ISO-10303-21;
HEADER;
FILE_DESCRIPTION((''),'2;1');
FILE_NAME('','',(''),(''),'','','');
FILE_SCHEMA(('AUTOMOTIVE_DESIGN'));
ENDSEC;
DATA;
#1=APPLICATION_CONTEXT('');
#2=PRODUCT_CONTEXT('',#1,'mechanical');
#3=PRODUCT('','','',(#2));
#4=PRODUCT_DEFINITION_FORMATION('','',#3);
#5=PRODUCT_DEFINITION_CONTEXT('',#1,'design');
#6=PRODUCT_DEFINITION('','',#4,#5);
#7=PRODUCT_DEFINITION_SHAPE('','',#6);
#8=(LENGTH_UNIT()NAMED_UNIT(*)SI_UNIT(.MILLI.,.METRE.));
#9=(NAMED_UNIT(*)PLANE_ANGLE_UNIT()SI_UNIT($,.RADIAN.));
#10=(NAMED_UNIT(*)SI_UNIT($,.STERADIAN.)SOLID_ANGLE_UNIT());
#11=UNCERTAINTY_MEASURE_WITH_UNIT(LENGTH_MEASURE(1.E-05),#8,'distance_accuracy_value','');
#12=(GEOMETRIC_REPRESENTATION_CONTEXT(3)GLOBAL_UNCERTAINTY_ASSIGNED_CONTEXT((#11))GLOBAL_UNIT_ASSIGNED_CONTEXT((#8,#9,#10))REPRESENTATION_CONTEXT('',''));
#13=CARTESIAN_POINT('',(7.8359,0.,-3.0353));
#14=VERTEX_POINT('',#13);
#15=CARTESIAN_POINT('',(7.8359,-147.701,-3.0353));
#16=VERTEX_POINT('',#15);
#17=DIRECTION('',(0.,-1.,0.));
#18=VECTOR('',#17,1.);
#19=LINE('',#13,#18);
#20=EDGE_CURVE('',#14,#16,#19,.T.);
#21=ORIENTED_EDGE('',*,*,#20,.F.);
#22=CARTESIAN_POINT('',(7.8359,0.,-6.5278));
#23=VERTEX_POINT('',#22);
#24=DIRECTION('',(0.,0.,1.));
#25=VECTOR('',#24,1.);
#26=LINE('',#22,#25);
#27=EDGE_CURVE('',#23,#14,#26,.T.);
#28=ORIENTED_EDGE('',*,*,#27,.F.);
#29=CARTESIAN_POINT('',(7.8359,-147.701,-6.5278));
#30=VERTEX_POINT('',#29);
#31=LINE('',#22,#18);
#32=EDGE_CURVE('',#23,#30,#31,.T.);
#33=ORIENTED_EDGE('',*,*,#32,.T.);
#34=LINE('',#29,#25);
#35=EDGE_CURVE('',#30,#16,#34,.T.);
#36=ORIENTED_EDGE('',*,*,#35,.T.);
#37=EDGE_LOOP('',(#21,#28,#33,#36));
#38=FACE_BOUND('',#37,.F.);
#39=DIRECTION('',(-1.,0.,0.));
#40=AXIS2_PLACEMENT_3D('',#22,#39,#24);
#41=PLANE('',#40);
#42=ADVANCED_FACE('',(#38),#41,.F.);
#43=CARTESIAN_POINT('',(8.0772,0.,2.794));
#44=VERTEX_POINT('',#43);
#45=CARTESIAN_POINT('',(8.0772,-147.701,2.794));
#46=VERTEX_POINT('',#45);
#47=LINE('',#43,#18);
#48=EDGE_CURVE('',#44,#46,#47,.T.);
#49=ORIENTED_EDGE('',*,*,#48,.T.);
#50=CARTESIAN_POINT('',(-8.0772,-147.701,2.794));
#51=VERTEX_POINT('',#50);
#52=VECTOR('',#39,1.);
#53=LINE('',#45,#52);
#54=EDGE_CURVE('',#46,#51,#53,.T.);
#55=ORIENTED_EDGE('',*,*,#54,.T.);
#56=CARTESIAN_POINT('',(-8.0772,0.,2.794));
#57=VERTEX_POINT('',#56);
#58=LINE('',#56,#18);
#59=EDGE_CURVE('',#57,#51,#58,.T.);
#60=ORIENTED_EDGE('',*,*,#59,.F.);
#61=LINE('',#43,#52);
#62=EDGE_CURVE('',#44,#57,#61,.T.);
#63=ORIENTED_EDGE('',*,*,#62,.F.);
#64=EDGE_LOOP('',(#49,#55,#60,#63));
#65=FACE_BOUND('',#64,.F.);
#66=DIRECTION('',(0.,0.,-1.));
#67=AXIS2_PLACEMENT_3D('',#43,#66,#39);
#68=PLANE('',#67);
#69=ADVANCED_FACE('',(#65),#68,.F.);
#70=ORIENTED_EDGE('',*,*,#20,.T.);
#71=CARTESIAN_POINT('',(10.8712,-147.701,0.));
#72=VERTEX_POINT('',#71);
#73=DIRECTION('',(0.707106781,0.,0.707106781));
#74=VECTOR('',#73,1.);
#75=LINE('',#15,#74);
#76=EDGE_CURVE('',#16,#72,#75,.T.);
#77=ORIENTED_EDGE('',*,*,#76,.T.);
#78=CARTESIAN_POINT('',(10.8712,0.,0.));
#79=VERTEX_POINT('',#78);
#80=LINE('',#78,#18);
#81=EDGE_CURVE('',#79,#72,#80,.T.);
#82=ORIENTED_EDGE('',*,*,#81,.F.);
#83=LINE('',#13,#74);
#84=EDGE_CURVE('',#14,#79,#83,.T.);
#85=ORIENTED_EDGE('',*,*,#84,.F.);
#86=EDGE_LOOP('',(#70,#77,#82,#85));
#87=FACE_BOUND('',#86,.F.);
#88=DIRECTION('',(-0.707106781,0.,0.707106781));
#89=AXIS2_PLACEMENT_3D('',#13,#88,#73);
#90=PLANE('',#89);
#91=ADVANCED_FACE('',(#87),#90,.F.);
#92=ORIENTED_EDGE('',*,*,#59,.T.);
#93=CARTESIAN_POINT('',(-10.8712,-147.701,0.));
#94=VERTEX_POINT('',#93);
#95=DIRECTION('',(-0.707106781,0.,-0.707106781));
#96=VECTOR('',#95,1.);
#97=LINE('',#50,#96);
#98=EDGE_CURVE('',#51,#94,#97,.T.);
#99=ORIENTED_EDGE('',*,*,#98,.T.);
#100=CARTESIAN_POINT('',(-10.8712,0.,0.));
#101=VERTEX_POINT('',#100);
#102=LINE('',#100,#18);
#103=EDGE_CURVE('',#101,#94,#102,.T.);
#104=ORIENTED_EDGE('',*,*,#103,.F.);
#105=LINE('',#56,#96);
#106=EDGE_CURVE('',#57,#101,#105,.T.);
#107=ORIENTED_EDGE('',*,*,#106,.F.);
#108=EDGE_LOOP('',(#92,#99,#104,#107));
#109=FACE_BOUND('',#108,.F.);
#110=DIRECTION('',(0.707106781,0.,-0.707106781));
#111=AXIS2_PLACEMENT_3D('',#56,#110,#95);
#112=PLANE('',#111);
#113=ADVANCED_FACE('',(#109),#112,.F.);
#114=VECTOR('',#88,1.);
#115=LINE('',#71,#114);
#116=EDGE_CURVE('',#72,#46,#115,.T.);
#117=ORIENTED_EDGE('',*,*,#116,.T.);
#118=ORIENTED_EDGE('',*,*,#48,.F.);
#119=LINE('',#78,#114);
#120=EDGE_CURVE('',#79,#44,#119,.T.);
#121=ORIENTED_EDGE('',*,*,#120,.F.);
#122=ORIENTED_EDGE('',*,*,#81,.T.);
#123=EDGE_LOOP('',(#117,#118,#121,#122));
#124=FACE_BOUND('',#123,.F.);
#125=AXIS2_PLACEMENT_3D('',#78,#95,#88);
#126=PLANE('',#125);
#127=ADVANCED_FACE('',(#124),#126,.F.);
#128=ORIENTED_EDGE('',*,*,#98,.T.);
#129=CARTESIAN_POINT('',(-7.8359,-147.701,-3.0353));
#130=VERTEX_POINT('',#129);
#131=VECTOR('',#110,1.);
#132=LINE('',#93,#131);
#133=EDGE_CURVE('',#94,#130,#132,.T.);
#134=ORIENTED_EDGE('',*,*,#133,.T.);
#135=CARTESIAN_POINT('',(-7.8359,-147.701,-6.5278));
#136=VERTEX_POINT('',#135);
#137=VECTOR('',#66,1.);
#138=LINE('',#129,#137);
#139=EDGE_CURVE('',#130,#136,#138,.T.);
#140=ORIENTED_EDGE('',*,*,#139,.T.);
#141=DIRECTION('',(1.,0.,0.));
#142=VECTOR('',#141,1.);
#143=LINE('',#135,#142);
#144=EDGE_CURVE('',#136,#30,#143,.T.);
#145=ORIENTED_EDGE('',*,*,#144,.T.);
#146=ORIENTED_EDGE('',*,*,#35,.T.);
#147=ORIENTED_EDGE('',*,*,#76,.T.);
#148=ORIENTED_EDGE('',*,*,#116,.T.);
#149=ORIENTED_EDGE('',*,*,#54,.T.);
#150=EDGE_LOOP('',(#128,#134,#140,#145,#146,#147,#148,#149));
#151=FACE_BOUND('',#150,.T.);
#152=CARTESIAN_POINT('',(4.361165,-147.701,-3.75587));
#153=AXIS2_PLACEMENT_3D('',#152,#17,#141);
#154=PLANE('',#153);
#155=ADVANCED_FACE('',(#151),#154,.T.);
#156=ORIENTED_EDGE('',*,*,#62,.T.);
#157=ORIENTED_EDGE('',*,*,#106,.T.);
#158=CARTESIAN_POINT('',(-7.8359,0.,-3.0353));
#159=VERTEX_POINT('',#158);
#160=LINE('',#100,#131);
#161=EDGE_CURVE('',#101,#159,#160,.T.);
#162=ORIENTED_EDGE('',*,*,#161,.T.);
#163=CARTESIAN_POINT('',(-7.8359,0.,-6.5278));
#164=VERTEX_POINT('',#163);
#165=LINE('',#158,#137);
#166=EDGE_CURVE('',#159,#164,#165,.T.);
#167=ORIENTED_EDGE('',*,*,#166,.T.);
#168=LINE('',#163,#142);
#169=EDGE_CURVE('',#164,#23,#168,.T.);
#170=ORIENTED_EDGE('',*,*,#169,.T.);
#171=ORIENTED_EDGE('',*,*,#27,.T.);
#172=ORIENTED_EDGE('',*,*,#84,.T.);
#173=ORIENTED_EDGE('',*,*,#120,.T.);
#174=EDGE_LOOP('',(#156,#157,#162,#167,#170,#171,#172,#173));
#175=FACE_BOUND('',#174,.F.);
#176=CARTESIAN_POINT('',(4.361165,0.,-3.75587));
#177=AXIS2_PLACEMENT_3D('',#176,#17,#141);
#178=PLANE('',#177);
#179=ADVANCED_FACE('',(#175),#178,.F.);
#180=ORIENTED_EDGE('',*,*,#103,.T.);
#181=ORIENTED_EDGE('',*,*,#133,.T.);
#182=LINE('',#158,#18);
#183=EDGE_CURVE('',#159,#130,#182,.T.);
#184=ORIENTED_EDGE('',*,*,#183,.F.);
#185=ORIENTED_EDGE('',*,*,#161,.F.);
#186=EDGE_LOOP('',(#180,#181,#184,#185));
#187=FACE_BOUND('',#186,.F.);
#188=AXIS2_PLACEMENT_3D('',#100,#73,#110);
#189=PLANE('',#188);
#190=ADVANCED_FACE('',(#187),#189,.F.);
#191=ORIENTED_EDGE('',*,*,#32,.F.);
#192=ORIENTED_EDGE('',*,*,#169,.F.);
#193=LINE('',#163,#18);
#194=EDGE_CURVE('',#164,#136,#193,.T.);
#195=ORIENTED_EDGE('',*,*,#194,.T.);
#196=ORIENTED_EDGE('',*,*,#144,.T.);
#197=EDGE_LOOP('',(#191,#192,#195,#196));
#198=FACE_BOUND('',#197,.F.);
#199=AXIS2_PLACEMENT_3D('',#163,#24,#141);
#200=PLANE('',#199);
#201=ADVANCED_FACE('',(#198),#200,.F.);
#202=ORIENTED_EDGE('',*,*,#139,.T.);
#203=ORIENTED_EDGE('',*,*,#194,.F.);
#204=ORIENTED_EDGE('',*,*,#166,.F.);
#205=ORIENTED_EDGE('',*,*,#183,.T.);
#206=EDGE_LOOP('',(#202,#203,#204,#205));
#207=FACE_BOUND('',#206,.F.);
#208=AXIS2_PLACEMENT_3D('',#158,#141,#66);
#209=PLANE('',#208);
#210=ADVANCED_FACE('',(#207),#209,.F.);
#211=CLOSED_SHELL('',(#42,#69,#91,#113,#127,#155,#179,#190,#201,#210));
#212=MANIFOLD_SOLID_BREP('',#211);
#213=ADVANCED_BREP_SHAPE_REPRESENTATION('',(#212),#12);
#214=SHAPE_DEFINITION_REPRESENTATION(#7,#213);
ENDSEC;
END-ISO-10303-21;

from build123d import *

# Parameters (mm, degrees)
F0_W     = 9.4996
F0_H     = 2.7432
F1_DEPTH = 147.701


with BuildPart() as f1:
    # F0 (on Front) → F1 (new body)
    with BuildSketch(Plane.XZ):
        Polygon((9.4996, -1.3716), (0, -1.3716), (0, -6.5278), (7.8359, -6.5278), (7.8359, -3.0353), align=None)
        Polygon((0, -1.3716), (-9.4996, -1.3716), (-7.8359, -3.0353), (-7.8359, -6.5278), (0, -6.5278), align=None)
        with Locations((4.7498, 0)):
            Rectangle(F0_W, F0_H)
        Polygon((9.4996, 1.3716), (9.4996, -1.3716), (10.8712, 0), align=None)
        Polygon((0, 2.794), (0, 1.3716), (9.4996, 1.3716), (8.0772, 2.794), align=None)
        Polygon((-8.0772, 2.794), (-9.4996, 1.3716), (0, 1.3716), (0, 2.794), align=None)
        with Locations((-4.7498, 0)):
            Rectangle(F0_W, F0_H)
        Polygon((-10.8712, 0), (-9.4996, -1.3716), (-9.4996, 1.3716), align=None)
    extrude(amount=F1_DEPTH)


solid = f1.part
